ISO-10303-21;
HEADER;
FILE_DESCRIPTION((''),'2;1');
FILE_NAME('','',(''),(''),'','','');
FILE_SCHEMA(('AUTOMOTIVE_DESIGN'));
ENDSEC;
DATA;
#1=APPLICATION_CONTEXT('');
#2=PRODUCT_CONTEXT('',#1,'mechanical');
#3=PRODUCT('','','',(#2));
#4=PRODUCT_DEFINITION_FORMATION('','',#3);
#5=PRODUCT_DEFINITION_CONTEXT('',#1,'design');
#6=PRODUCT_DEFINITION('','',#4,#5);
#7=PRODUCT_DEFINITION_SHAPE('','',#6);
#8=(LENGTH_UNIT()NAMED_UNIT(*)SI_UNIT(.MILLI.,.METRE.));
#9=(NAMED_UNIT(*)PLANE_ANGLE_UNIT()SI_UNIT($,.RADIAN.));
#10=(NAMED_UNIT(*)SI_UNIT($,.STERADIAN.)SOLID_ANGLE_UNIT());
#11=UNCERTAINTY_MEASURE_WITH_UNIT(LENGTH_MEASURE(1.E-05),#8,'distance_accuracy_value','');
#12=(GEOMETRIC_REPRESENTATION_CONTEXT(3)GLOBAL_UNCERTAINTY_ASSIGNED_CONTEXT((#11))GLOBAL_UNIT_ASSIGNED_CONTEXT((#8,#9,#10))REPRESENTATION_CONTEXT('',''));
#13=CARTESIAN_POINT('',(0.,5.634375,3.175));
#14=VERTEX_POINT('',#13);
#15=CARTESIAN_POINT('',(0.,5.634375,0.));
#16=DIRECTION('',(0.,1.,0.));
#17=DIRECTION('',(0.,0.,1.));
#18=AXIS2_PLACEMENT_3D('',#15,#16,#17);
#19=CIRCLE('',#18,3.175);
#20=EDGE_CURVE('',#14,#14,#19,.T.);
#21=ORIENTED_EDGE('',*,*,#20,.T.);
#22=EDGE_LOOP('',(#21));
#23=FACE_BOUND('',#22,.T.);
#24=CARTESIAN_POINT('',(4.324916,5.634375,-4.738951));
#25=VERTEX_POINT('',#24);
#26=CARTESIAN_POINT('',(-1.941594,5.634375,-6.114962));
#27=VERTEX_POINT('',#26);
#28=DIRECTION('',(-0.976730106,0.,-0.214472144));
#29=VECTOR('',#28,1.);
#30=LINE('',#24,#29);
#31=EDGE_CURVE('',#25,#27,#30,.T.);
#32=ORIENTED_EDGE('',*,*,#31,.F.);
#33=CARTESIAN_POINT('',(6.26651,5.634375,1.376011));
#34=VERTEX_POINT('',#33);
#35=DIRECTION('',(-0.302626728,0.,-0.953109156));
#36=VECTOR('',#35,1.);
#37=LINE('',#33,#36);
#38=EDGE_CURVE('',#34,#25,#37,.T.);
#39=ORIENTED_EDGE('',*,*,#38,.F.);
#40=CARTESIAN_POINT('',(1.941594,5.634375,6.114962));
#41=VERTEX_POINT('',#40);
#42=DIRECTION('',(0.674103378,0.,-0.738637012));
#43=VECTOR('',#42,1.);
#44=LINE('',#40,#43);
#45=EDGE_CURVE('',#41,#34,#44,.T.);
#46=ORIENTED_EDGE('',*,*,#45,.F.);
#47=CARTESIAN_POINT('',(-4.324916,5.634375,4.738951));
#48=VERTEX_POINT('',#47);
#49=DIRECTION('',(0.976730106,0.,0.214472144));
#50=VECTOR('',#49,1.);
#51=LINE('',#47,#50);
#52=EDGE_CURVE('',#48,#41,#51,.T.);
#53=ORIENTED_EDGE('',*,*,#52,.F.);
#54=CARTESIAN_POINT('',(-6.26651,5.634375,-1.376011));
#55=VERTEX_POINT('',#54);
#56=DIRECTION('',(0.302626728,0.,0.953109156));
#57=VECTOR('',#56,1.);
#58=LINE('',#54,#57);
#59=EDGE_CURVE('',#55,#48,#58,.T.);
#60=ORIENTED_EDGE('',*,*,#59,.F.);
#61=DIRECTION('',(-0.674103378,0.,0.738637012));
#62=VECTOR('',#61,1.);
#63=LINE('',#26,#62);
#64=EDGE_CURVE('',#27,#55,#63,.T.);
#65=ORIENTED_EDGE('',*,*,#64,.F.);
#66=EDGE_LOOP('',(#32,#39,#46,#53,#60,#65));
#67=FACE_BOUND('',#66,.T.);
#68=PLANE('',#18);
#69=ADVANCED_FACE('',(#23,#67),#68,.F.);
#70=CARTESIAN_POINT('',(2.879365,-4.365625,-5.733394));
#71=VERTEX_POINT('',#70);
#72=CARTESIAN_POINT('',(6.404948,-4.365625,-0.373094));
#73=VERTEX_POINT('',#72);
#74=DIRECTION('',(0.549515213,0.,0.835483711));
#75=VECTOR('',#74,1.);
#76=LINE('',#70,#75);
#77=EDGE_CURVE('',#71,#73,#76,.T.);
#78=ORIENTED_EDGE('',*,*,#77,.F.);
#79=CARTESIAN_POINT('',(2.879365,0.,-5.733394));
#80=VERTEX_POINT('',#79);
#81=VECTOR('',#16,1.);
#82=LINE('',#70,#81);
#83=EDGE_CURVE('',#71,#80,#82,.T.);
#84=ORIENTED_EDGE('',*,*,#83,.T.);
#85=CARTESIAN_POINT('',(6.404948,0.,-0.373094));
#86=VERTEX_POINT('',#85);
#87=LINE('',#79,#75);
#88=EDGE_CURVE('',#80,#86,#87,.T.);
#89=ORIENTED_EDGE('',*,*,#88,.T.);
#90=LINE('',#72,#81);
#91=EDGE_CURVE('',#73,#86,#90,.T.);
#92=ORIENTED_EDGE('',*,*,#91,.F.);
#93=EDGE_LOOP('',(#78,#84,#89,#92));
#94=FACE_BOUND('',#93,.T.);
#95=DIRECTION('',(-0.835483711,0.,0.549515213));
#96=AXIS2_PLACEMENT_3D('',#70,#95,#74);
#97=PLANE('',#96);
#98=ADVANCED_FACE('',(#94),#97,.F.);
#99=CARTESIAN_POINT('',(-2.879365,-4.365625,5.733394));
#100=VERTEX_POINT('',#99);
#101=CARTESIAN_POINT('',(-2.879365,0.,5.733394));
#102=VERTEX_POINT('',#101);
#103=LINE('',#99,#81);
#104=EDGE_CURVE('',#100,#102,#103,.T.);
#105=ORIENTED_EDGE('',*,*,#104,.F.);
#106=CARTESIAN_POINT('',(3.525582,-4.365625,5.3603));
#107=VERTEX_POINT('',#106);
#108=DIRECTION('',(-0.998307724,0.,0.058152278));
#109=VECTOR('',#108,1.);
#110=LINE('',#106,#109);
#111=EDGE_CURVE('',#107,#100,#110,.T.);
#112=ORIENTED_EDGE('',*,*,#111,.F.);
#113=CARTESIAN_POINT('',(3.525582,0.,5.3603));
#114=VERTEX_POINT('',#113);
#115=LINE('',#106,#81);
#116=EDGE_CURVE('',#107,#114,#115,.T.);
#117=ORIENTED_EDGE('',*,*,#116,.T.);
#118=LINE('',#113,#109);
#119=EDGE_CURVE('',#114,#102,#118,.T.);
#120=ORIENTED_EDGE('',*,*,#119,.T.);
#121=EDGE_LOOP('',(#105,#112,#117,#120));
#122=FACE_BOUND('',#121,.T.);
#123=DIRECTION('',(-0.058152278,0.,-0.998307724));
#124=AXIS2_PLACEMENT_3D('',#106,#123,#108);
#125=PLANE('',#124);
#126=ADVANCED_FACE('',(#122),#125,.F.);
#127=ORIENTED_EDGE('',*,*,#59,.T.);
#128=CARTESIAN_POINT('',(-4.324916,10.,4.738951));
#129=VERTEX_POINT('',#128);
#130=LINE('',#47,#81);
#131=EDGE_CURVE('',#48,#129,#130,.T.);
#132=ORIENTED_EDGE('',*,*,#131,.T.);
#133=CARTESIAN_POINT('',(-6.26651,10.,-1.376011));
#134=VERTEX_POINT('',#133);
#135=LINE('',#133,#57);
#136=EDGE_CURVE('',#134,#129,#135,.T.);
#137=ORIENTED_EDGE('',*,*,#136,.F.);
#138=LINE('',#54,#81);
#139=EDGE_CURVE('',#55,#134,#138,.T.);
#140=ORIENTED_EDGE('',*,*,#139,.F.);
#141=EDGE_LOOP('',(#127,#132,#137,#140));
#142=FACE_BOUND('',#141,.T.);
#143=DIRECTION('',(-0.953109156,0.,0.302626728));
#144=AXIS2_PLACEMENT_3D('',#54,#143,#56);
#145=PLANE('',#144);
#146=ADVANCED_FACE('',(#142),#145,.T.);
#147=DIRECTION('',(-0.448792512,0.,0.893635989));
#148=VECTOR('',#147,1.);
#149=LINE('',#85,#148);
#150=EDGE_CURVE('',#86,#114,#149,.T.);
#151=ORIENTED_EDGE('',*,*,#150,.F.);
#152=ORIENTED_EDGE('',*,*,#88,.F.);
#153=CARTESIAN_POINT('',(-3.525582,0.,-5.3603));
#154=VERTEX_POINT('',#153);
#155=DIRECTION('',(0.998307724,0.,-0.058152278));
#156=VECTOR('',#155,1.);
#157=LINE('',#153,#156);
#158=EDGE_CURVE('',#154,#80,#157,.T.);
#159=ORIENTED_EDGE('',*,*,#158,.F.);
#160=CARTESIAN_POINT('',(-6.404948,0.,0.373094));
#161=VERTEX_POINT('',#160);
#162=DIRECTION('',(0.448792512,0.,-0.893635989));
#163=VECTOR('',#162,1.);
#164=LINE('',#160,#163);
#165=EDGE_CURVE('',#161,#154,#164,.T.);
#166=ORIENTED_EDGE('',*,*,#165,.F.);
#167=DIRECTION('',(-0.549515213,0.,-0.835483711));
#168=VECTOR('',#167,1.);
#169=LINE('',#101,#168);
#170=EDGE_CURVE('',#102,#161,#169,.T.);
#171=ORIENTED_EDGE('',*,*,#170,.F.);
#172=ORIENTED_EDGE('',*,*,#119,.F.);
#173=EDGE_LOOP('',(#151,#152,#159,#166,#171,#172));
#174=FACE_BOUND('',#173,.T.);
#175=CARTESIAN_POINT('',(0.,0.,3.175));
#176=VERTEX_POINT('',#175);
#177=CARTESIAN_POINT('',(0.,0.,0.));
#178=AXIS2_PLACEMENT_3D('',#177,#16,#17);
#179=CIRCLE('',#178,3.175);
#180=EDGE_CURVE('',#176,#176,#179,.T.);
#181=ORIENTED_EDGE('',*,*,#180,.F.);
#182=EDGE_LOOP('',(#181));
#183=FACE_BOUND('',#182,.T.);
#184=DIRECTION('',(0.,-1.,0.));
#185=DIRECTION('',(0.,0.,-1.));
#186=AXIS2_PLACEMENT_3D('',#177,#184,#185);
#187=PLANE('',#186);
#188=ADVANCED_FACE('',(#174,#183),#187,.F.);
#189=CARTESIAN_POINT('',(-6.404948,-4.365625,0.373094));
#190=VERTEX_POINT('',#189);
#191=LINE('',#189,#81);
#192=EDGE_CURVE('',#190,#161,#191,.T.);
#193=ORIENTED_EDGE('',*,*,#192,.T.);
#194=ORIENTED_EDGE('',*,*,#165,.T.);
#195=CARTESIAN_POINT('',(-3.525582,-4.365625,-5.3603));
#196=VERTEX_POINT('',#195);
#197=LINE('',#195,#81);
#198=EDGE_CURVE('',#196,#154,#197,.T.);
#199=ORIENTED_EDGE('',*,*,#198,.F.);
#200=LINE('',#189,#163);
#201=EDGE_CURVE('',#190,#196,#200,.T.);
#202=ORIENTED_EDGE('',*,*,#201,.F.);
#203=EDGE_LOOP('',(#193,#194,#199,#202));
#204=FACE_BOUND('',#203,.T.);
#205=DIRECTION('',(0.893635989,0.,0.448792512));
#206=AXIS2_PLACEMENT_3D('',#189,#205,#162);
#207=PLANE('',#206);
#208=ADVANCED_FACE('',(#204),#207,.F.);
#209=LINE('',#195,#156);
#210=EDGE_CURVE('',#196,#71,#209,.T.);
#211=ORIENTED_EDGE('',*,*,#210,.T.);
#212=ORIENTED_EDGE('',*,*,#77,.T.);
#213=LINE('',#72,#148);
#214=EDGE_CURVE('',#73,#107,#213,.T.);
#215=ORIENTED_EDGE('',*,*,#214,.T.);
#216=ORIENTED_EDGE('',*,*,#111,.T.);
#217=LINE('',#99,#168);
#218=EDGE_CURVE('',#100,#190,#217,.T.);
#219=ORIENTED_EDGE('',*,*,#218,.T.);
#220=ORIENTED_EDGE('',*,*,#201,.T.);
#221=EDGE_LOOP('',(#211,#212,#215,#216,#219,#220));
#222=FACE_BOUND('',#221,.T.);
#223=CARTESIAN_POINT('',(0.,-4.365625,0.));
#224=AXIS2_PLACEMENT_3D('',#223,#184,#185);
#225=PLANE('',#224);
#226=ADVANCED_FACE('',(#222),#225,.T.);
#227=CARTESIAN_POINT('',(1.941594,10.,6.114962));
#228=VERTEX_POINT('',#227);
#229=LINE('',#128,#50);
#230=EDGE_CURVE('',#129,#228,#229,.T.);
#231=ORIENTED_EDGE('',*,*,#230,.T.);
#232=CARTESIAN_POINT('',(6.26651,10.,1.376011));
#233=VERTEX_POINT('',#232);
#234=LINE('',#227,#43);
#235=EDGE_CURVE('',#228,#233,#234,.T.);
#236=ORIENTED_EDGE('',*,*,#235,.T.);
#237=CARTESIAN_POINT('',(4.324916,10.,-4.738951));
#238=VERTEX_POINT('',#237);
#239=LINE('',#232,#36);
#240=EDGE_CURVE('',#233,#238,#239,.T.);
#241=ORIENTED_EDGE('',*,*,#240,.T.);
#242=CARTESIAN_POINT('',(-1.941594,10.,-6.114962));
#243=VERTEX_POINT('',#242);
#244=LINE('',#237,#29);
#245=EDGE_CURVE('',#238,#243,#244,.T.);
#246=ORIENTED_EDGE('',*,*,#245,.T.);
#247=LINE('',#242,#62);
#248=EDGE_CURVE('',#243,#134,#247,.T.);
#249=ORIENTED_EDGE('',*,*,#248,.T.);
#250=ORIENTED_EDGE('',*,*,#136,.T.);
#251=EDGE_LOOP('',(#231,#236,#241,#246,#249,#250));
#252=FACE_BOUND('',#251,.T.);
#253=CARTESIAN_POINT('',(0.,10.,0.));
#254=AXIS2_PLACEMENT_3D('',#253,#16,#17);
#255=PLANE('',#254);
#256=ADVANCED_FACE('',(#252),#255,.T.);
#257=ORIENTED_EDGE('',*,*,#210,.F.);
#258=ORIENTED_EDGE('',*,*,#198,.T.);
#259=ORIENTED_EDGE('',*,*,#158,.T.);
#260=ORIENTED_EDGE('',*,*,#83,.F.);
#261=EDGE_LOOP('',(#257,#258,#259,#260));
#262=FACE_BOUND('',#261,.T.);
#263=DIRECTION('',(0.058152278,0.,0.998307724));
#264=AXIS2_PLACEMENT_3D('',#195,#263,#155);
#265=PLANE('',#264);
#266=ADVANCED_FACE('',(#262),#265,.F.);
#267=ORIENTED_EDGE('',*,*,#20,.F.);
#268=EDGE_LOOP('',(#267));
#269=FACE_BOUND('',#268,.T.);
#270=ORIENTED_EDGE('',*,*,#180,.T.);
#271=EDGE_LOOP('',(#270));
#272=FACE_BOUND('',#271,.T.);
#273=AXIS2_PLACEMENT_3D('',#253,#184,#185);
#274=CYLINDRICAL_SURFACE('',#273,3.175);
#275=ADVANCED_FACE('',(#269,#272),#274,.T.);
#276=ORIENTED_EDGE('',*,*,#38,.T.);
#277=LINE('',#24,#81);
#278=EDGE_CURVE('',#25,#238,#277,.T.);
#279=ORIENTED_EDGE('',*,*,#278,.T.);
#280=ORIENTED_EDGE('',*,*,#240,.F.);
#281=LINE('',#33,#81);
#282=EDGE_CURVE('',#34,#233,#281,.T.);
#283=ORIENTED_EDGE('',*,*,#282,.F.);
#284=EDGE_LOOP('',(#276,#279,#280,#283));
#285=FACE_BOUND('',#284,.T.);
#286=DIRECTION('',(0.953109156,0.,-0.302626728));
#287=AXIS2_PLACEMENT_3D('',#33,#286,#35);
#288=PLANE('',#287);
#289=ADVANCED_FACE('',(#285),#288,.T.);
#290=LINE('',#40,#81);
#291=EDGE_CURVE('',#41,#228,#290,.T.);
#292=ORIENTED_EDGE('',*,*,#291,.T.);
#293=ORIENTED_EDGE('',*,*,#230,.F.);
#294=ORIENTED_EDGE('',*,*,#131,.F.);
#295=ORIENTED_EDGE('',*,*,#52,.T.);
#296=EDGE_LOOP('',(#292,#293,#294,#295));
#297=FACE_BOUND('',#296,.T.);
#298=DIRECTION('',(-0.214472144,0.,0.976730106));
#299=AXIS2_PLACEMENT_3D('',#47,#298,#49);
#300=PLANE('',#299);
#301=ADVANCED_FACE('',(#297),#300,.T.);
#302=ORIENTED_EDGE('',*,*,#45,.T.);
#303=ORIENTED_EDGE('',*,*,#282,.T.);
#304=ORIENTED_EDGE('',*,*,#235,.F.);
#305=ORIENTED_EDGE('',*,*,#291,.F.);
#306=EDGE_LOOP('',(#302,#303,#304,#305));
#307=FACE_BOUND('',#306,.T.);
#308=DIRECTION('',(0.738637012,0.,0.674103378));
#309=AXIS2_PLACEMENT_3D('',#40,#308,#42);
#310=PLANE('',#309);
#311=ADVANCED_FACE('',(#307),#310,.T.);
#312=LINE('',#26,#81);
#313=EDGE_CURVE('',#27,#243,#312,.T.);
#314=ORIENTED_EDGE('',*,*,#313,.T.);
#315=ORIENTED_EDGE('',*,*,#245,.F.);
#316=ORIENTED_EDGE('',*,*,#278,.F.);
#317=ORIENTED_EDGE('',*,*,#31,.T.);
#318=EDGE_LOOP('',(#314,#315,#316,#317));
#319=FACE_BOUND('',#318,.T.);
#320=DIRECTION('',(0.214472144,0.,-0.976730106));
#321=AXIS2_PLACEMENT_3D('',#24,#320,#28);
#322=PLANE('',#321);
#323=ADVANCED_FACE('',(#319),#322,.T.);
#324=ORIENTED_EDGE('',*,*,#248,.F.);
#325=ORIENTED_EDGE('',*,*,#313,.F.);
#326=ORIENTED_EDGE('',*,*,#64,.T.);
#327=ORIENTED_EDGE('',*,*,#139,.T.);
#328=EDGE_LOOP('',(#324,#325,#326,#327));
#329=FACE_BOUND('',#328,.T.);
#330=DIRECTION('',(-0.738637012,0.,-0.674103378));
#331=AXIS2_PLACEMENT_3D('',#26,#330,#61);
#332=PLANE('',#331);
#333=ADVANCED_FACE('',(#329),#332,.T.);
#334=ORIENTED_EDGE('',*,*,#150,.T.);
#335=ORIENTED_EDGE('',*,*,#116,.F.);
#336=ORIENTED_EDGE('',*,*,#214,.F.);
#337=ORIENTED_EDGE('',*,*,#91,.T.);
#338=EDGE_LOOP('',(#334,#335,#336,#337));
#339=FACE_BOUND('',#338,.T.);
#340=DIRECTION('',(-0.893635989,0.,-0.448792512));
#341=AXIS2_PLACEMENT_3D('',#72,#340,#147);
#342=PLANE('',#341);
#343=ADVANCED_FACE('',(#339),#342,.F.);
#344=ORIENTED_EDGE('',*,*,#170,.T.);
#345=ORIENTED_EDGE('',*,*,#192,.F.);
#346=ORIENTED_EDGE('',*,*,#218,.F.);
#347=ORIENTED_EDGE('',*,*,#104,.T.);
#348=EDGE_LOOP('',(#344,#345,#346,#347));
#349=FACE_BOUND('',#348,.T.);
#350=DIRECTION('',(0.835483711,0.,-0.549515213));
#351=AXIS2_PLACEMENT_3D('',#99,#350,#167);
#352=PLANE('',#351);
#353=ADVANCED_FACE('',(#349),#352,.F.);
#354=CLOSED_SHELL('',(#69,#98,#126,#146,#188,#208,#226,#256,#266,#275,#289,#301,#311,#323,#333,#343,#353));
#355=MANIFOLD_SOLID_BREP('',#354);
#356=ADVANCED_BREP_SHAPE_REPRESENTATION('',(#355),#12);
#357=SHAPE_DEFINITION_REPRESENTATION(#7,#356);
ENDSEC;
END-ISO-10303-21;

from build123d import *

# Parameters (mm, degrees)
SKETCH1_R           = 3.175
BOSS_EXTRUDE1_DEPTH = 10
BOSS_EXTRUDE2_DEPTH = 4.365625
BOSS_EXTRUDE3_DEPTH = 4.365625


with BuildPart() as part:
    # Sketch1 → Boss-Extrude1 (new body)
    with BuildSketch(Plane(origin=(0, 0, 0), x_dir=(1, 0, 0), z_dir=(0, 1, 0))):
        Circle(SKETCH1_R)
    extrude(amount=BOSS_EXTRUDE1_DEPTH)

    # Sketch2 → Boss-Extrude2 (add)
    with BuildSketch(Plane.XZ):
        Polygon((6.404947556, -0.373093671), (3.525582375, 5.360300458), (-2.879365181, 5.733394129), (-6.404947556, 0.373093671), (-3.525582375, -5.360300458), (2.879365181, -5.733394129), align=None)
    extrude(amount=BOSS_EXTRUDE2_DEPTH)

    # Sketch3 → Boss-Extrude3 (add)
    with BuildSketch(Plane(origin=(0, 10, 0), x_dir=(1, 0, 0), z_dir=(0, 1, 0))):
        Polygon((-6.266509765, 1.376011426), (-4.324915734, -4.738950937), (1.941594032, -6.114962363), (6.266509765, -1.376011426), (4.324915734, 4.738950937), (-1.941594032, 6.114962363), align=None)
    extrude(amount=-BOSS_EXTRUDE3_DEPTH)


solid = part.part
